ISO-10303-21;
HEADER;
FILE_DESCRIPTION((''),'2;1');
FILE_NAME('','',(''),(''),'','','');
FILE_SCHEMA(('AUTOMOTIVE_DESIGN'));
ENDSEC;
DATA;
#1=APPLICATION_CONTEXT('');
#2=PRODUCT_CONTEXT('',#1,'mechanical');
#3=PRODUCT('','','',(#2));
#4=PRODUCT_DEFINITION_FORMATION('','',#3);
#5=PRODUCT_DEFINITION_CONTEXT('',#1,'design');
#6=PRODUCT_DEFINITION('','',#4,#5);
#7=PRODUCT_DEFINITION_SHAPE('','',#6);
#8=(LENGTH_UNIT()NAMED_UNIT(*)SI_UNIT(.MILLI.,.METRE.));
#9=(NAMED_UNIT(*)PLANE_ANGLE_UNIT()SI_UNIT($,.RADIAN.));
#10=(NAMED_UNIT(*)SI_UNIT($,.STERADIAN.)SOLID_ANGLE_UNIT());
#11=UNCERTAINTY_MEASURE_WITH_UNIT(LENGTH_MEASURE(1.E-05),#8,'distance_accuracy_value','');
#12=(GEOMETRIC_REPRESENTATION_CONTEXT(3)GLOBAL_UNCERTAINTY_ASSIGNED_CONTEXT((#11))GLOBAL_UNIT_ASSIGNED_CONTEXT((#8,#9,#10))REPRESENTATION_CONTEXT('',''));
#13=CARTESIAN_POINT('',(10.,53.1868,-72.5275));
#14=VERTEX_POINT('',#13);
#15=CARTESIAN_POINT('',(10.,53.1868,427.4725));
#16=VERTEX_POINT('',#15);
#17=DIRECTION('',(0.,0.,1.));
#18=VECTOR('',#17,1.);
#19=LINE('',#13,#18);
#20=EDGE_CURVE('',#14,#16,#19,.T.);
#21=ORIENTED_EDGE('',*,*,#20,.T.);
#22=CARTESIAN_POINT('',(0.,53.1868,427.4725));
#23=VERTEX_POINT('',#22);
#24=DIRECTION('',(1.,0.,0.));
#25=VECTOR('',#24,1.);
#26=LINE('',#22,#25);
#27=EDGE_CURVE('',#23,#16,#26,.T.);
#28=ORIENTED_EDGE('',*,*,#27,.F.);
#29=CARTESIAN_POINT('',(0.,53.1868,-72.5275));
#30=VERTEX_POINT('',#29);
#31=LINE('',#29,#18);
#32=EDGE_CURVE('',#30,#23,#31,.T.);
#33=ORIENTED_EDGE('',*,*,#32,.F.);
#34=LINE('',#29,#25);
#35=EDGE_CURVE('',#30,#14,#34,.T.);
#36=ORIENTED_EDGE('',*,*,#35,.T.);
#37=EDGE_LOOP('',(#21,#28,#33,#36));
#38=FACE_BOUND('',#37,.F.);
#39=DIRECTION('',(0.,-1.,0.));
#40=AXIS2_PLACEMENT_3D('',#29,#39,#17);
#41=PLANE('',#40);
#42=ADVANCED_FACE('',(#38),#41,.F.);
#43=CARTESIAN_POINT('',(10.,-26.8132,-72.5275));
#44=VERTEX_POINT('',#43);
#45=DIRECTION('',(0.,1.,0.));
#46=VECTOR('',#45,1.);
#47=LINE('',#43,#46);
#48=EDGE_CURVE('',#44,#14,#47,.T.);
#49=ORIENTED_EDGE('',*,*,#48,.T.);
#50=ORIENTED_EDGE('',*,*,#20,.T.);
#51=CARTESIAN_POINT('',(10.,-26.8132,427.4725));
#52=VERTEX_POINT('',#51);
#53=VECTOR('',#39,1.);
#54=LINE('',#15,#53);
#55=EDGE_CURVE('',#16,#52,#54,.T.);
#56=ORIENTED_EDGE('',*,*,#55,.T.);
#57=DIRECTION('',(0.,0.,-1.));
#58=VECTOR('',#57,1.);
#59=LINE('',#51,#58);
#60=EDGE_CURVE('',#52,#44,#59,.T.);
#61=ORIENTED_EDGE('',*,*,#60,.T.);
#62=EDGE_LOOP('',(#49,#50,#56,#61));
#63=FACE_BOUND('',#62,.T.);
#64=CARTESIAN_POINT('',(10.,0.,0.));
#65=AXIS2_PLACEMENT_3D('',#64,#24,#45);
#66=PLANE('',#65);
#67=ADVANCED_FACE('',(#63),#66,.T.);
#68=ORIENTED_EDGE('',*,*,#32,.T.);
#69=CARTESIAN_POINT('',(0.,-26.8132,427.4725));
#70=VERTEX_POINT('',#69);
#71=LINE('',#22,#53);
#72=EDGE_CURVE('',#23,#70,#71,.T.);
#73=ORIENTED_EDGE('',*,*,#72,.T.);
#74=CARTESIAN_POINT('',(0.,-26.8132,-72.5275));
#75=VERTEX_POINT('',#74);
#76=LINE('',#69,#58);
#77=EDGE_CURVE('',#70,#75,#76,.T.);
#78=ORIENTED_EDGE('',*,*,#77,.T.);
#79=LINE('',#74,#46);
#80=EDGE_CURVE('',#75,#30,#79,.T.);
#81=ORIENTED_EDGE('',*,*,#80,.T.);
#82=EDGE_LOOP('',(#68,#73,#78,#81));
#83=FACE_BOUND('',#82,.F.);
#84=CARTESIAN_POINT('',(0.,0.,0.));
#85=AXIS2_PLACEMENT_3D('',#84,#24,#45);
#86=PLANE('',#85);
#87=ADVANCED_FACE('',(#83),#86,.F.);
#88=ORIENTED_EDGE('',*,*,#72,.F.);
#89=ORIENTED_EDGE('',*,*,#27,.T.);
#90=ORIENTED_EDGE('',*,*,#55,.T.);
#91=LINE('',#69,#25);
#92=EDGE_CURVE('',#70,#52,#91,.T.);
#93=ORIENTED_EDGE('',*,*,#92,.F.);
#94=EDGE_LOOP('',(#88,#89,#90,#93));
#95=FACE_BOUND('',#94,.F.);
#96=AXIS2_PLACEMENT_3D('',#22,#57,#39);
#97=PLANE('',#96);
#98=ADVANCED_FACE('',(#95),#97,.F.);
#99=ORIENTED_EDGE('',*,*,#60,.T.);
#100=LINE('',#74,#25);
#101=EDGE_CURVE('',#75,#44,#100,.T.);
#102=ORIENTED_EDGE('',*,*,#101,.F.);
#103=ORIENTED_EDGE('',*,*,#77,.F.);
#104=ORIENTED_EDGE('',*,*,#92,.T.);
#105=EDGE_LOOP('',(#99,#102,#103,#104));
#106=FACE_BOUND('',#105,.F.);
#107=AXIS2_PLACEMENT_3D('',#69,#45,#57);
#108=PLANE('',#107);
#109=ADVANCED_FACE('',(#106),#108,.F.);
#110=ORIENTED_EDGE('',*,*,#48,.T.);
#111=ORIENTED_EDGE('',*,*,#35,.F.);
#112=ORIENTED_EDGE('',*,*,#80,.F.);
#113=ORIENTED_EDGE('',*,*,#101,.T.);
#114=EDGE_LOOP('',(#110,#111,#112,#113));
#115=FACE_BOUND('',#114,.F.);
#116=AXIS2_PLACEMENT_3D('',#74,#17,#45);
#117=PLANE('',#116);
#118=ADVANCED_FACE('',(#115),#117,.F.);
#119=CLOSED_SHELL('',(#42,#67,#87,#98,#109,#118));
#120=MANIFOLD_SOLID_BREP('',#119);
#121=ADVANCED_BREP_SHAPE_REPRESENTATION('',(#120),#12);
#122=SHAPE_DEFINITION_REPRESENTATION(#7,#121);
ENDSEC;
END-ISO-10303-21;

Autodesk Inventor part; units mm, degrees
ref_plane "YZ Plane" through (0, 0, 0) normal (1, 0, 0) x (0, 1, 0)
ref_plane "XZ Plane" through (0, 0, 0) normal (0, 1, 0) x (-1, 0, 0)
ref_plane "XY Plane" through (0, 0, 0) normal (0, 0, 1) x (1, 0, 0)
sketch "スケッチ1" plane through (0, 0, 0) normal (0, 1, 0) x (-1, 0, 0)
  point P0 (0, 0)
sketch "スケッチ2" plane through (0, 0, 0) normal (1, 0, 0) x (0, 1, 0)
  line L0 (53.1868, 427.4725) -> (-26.8132, 427.4725)
  line L1 (-26.8132, 427.4725) -> (-26.8132, -72.5275)
  line L2 (-26.8132, -72.5275) -> (53.1868, -72.5275)
  line L3 (53.1868, -72.5275) -> (53.1868, 427.4725)
  point P0 (0, 0)
  dimension "d0" = 80
  dimension "d1" = 500
extrude "押し出し1" add sketch "スケッチ2" along normal blind 10
equation "\"BendRadius\" = Thickness"
equation "\"BendReliefWidth\" = Thickness"
equation "\"BendReliefDepth\" = 0.5 * Thickness"
equation "\"CornerReliefSize\" = 4 * Thickness"
equation "\"MinimumRemnant\" = 2 * Thickness"
equation "\"TransitionRadius\" = BendRadius"
equation "\"JacobiRadiusSize\" = BendRadius"
equation "\"GapSize\" = Thickness"
equation "\"Thickness\" = 0.5"
